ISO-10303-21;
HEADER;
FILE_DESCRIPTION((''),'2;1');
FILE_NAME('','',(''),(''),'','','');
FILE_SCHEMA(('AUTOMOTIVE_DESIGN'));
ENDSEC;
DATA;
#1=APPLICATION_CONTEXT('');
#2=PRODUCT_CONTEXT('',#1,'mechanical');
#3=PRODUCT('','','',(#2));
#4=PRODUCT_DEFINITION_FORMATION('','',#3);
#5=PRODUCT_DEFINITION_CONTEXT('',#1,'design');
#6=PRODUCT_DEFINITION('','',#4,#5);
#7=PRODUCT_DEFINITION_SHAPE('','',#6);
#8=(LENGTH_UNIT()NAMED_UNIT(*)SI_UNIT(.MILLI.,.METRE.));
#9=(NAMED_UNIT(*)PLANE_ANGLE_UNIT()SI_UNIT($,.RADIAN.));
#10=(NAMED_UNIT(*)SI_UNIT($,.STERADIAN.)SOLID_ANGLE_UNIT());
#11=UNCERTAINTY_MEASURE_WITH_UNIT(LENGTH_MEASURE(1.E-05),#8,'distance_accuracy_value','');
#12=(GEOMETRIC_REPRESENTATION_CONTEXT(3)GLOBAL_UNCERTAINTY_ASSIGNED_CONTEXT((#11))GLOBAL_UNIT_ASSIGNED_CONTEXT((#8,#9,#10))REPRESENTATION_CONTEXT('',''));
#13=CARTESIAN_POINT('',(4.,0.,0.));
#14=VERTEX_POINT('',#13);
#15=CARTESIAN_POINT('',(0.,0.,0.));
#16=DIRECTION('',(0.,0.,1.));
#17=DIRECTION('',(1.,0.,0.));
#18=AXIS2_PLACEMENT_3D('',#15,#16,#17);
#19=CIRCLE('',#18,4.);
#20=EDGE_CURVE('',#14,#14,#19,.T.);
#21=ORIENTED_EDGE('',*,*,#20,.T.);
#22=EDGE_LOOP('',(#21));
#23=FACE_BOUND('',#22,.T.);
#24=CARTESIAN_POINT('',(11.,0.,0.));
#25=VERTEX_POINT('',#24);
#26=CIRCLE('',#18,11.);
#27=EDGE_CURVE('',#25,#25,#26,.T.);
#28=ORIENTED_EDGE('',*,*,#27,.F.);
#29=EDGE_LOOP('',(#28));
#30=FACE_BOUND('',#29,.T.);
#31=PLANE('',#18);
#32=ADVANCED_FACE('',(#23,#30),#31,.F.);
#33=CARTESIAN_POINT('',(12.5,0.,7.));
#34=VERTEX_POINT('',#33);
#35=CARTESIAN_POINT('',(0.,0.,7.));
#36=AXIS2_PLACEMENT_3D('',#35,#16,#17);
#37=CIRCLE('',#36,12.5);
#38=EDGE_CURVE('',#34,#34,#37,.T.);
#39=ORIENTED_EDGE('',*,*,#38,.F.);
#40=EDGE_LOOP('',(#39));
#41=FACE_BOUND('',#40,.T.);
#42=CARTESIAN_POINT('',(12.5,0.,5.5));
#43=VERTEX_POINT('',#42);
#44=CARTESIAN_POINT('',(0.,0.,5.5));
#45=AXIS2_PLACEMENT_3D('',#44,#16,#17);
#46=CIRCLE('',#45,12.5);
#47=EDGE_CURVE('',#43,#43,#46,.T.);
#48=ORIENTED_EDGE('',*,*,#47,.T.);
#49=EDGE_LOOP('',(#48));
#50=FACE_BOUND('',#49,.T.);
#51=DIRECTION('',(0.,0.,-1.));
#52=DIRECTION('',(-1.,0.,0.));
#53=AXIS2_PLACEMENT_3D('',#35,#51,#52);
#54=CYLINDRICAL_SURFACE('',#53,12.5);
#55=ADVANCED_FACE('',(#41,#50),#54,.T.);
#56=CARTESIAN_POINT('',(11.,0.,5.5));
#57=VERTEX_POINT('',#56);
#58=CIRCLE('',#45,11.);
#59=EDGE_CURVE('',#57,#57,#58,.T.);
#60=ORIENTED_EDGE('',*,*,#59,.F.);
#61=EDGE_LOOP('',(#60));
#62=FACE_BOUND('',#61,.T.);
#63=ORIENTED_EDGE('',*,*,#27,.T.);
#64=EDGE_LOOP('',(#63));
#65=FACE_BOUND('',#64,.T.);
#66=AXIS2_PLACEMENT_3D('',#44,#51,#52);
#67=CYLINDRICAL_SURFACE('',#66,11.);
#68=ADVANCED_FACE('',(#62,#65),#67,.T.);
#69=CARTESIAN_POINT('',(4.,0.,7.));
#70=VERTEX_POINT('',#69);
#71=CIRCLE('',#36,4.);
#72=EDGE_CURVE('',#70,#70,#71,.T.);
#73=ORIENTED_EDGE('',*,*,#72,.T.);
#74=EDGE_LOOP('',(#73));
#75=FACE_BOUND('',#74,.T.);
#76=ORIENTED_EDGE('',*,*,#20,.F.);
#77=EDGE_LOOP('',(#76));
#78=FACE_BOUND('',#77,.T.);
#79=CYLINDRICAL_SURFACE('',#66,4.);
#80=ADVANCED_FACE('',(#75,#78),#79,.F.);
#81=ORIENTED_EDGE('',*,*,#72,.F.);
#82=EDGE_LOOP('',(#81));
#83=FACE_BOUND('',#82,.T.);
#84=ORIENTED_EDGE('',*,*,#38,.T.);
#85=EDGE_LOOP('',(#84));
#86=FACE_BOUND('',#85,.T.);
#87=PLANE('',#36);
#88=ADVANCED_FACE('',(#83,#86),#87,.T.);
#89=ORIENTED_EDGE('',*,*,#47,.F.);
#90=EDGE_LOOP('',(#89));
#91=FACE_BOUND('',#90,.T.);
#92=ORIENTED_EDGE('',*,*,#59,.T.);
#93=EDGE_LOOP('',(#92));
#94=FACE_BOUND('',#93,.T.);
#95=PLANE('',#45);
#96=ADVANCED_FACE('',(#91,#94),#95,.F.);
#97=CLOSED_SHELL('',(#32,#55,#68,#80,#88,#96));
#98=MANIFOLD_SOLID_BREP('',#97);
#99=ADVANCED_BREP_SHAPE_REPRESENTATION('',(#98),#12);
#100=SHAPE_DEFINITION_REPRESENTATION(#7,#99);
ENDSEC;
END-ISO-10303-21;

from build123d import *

# Parameters (mm, degrees)
ESQUISSE1_R        = 11
ESQUISSE1_R_2      = 4
BOSS_EXTRU_1_DEPTH = 5.5
ESQUISSE2_R        = 12.5
ESQUISSE2_R_2      = 4
BOSS_EXTRU_2_DEPTH = 1.5


with BuildPart() as part:
    # Esquisse1 → Boss.-Extru.1 (new body)
    with BuildSketch(Plane.XY):
        Circle(ESQUISSE1_R)
        Circle(ESQUISSE1_R_2, mode=Mode.SUBTRACT)
    extrude(amount=BOSS_EXTRU_1_DEPTH)

    # Esquisse2 → Boss.-Extru.2 (add)
    with BuildSketch(Plane.XY.offset(5.5)):
        Circle(ESQUISSE2_R)
        Circle(ESQUISSE2_R_2, mode=Mode.SUBTRACT)
    extrude(amount=BOSS_EXTRU_2_DEPTH)


solid = part.part
